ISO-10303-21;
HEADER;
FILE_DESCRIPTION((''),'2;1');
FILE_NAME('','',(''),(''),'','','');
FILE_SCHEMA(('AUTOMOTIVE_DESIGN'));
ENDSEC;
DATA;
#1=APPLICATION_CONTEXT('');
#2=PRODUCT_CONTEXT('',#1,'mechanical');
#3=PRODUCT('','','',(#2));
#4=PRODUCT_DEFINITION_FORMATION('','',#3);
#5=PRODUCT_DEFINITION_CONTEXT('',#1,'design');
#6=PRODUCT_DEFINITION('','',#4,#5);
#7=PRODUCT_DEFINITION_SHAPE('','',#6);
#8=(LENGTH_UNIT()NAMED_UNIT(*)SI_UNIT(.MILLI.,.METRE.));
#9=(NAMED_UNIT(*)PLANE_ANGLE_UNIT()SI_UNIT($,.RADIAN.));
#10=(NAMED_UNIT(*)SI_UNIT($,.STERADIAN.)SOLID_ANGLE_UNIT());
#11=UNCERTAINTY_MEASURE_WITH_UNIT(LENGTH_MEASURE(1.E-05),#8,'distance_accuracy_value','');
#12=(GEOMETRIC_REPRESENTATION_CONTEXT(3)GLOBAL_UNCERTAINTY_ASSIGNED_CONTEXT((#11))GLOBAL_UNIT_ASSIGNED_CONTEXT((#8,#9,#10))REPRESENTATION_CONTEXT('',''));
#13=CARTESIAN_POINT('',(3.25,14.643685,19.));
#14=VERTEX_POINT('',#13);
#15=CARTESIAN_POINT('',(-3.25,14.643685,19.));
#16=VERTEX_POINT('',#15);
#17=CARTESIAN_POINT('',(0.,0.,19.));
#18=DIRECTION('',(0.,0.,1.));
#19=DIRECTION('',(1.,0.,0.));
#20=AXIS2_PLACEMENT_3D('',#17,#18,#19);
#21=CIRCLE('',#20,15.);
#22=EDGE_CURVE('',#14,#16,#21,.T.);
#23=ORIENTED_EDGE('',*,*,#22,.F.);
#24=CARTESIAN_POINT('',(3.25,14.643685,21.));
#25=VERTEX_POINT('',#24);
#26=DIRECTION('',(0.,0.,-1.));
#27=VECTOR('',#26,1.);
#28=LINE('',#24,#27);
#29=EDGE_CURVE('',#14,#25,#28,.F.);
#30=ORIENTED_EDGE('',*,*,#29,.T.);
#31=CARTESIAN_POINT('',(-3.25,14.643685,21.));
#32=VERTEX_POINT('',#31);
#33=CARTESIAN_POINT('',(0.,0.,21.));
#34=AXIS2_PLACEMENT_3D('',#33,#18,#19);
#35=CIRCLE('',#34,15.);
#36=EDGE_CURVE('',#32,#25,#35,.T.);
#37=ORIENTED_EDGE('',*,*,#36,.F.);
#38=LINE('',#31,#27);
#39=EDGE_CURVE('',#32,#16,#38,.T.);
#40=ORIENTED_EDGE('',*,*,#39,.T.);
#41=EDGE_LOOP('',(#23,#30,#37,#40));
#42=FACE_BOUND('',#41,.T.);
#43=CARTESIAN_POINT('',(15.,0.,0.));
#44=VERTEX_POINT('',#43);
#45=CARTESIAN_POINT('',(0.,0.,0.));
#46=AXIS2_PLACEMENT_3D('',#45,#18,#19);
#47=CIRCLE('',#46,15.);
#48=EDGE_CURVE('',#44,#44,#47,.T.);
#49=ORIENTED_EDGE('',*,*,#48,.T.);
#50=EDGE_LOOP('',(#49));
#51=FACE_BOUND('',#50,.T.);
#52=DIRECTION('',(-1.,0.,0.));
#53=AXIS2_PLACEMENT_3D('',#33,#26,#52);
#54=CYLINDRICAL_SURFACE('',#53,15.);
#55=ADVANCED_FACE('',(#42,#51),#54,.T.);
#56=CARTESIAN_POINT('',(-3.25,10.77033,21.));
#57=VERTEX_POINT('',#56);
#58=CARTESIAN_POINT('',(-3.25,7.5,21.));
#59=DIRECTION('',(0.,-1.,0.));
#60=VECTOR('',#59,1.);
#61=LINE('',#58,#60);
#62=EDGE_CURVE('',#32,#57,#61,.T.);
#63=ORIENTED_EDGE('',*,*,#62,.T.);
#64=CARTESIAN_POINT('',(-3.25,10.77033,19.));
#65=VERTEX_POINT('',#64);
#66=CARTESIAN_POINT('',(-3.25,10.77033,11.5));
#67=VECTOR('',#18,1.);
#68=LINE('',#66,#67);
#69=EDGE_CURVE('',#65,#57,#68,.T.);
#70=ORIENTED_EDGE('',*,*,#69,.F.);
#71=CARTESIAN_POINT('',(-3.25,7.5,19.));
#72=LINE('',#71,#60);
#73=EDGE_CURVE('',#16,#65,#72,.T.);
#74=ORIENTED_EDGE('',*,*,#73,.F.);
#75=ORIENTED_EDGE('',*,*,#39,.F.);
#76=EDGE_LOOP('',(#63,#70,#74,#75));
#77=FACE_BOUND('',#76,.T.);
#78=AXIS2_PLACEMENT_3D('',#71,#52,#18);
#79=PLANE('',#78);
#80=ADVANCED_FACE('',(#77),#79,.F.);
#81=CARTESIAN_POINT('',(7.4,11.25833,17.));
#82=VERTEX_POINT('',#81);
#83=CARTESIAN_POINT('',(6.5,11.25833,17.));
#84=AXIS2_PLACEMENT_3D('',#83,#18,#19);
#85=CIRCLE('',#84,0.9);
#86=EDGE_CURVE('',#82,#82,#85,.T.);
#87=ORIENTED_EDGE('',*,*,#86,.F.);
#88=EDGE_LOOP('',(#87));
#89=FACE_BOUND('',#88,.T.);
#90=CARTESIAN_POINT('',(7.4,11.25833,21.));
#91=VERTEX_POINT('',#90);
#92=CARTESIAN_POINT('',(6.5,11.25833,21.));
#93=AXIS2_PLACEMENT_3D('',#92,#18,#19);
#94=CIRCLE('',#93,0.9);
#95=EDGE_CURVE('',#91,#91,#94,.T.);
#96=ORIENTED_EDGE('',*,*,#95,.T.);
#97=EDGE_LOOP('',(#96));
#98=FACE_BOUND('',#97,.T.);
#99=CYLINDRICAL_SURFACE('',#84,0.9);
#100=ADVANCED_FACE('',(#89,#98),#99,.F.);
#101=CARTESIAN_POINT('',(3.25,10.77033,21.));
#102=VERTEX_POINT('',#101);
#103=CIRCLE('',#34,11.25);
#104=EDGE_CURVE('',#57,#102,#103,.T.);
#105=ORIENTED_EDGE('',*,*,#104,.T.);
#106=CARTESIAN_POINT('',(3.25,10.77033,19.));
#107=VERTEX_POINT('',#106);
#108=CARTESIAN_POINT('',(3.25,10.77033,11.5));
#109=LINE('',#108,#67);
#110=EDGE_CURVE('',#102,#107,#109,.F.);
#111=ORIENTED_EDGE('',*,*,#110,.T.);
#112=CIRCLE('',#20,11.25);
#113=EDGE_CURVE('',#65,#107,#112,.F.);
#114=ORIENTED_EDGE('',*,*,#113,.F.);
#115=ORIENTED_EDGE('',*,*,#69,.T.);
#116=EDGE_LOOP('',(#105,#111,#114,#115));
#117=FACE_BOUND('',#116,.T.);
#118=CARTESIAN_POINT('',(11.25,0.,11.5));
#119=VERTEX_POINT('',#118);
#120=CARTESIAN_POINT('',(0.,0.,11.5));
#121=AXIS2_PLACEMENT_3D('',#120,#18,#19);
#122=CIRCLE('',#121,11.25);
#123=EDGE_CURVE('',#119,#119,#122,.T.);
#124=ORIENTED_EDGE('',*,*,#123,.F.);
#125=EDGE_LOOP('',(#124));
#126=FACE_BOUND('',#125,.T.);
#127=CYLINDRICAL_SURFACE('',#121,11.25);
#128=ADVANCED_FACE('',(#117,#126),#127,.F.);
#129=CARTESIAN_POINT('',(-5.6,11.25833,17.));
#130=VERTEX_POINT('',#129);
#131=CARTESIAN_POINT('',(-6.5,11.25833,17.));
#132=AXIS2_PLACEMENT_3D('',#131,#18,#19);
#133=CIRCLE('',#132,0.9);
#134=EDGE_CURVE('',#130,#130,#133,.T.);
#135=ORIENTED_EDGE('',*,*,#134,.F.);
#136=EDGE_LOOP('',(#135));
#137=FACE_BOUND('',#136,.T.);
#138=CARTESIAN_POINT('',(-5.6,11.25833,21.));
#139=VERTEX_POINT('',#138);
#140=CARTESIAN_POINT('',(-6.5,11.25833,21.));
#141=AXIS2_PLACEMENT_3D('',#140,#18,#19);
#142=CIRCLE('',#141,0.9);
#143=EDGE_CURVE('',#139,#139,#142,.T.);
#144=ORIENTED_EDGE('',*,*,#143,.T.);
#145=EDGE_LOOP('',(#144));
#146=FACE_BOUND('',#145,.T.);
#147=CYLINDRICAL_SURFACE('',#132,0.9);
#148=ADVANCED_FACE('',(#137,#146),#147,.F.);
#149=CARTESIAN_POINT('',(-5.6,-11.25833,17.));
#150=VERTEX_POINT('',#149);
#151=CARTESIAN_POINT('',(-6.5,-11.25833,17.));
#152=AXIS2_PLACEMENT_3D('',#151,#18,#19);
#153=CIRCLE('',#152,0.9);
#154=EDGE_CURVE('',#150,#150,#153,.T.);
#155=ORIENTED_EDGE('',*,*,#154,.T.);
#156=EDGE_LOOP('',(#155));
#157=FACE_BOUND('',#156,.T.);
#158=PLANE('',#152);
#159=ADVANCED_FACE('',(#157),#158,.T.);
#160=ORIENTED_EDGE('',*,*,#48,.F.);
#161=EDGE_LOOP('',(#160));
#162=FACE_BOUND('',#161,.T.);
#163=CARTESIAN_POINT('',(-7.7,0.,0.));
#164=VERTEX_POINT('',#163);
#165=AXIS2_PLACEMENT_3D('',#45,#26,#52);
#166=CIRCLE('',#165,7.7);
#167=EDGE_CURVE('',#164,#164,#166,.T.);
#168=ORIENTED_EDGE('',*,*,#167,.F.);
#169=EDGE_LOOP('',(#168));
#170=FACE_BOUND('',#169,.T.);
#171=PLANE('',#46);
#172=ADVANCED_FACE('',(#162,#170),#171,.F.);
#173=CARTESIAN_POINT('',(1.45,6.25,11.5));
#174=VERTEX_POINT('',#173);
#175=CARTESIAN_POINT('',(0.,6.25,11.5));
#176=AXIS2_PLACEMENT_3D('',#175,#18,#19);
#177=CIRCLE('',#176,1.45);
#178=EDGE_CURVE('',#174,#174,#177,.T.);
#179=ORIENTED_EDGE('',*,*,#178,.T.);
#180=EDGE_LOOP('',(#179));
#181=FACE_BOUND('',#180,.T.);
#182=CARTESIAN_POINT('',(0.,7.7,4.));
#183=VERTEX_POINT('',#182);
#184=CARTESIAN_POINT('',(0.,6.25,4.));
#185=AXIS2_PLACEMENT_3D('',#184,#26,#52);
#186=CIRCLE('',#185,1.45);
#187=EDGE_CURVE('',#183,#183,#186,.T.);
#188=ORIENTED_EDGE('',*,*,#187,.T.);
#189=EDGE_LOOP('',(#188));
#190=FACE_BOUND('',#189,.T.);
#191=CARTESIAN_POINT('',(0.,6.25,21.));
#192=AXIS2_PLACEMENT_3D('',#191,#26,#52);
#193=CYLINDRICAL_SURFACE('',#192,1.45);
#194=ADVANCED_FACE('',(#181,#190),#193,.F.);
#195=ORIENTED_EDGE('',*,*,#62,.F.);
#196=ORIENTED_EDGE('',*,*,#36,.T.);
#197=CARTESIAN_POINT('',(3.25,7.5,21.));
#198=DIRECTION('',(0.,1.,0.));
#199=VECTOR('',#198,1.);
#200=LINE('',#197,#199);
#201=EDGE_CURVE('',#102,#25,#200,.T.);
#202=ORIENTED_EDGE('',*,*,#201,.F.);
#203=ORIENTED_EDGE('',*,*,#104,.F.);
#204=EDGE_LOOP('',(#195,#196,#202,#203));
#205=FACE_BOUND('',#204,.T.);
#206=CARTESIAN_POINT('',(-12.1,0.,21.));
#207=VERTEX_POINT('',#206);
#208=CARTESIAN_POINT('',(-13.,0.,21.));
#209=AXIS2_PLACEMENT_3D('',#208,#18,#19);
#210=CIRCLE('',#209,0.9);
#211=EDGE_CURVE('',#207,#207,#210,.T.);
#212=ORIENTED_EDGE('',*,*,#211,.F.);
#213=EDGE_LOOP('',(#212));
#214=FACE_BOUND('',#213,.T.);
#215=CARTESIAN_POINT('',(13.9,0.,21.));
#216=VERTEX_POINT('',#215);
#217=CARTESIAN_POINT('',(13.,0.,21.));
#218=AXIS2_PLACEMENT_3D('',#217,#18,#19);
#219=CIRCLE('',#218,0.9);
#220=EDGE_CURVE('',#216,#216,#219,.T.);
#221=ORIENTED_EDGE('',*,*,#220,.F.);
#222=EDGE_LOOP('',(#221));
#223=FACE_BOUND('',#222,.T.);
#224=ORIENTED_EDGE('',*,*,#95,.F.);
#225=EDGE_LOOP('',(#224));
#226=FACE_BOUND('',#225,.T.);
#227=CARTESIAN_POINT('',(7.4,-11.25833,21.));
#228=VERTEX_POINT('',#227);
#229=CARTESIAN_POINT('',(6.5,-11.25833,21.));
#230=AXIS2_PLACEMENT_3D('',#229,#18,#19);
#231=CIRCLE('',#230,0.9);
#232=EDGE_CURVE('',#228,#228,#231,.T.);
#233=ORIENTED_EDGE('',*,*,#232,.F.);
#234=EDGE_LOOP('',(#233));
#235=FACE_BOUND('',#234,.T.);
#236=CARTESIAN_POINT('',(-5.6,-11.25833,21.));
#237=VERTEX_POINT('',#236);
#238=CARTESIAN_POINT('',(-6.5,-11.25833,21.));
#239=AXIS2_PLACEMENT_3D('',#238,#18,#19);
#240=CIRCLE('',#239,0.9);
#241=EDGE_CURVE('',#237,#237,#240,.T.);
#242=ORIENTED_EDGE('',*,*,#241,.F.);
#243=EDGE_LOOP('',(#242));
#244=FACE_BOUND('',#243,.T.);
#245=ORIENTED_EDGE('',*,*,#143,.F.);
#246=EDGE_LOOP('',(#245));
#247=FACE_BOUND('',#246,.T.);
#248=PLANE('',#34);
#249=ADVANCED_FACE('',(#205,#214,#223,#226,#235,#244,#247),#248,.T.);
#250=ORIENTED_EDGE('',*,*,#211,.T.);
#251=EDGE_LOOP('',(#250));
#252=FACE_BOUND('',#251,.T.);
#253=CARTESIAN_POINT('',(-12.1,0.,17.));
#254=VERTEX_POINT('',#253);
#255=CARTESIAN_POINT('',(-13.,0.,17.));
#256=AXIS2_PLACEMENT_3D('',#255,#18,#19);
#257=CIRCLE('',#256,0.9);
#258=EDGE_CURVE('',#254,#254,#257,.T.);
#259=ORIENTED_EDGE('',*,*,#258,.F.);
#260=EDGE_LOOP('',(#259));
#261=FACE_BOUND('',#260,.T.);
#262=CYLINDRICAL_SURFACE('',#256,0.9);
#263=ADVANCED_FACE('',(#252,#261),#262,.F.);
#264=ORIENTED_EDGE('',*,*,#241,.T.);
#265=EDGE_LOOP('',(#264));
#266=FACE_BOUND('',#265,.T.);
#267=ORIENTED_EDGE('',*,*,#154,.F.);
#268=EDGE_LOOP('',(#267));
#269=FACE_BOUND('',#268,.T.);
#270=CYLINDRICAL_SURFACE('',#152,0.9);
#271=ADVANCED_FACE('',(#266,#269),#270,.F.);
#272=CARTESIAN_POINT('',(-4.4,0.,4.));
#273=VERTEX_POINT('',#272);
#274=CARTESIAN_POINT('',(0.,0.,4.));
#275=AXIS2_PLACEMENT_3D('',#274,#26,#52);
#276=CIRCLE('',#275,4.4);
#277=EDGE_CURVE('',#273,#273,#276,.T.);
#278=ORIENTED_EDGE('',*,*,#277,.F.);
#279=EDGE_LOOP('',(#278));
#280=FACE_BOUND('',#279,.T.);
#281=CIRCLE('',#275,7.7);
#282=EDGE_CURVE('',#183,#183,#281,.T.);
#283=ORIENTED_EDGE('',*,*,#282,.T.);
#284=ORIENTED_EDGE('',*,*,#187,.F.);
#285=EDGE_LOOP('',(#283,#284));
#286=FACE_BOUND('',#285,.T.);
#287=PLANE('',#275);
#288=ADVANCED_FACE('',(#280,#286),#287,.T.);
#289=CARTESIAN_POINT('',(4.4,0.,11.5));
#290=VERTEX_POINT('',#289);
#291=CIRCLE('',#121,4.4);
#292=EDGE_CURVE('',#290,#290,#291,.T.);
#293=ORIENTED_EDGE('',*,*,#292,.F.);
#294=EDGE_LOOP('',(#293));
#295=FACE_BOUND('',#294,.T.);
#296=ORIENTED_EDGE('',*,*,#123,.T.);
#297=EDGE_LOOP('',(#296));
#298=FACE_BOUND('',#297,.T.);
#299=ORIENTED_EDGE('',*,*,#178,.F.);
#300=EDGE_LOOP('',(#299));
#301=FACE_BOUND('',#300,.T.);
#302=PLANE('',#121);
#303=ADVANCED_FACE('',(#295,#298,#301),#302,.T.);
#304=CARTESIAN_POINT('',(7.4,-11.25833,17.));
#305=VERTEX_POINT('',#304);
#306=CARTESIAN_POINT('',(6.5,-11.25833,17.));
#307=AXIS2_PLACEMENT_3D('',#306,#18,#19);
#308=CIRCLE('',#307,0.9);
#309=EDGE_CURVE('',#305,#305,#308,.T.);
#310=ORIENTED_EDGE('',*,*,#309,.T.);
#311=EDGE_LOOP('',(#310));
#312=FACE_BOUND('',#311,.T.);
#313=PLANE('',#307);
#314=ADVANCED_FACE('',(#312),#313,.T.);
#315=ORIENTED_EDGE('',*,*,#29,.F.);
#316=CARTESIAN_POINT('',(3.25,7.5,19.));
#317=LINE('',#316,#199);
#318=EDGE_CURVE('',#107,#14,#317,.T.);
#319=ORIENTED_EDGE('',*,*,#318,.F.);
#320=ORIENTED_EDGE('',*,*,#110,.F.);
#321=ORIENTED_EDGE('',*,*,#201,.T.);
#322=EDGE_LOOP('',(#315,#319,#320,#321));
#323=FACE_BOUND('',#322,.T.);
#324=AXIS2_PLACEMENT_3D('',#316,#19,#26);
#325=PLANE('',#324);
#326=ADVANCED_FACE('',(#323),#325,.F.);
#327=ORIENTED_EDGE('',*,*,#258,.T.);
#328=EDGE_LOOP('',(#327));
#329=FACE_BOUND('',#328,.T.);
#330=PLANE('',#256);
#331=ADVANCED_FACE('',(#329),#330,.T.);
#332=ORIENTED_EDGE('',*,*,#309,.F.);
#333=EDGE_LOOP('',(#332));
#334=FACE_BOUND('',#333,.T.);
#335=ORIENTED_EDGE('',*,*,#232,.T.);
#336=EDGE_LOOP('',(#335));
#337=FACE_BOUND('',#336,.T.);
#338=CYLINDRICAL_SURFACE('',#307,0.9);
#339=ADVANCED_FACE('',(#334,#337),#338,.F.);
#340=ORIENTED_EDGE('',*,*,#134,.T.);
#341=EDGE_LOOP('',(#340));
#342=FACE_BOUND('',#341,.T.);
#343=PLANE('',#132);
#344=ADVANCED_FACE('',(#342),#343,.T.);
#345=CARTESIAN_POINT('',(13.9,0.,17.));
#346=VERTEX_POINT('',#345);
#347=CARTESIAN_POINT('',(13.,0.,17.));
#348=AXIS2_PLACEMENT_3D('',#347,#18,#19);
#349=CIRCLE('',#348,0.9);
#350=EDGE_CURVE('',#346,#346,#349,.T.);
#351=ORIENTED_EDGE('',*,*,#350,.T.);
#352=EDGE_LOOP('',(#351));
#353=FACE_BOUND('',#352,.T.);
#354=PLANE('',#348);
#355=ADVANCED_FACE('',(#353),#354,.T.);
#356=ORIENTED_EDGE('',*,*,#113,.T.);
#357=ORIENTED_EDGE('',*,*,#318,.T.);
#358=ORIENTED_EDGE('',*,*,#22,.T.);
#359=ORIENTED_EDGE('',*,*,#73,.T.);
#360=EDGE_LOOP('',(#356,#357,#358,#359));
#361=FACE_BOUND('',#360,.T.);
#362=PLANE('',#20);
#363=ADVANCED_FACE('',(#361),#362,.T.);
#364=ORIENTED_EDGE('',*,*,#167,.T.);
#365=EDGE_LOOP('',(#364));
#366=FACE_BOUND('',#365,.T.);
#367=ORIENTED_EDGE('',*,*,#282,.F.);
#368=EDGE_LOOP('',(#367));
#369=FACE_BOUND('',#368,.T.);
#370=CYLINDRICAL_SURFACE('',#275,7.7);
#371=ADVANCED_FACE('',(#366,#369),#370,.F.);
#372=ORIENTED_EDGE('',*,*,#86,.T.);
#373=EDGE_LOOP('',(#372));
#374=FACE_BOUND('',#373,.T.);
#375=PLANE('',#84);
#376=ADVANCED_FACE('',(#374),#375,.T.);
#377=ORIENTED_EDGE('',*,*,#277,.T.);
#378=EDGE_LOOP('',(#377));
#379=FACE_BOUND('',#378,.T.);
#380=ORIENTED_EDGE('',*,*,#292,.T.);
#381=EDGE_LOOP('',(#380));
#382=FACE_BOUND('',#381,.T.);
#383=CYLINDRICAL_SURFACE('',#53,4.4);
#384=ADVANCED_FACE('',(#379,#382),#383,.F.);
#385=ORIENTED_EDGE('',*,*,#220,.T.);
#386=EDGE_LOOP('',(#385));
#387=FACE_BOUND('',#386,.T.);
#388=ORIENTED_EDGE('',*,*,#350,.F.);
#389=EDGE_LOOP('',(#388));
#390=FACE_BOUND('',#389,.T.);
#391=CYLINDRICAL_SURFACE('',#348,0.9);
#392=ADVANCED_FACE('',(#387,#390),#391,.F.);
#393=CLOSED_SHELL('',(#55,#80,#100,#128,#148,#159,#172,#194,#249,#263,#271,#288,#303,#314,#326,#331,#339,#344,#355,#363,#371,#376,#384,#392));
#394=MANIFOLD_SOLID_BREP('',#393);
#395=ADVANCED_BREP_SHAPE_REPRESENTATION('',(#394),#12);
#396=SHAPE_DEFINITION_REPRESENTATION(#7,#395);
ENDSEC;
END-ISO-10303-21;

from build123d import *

# Parameters (mm, degrees)
SKETCH_1_R          = 15
SKETCH_1_R_2        = 4.4
SKETCH_1_R_3        = 1.45
EXTRUDE_1_DEPTH     = 21
SKETCH_2_R          = 7.7
CUT_EXTRUDE_1_DEPTH = 4
SKETCH_3_R          = 11.25
CUT_EXTRUDE_2_DEPTH = 9.5
SKETCH_4_R          = 0.9
CUT_EXTRUDE_3_DEPTH = 4
SKETCH_5_W          = 6.5
SKETCH_5_H          = 9
CUT_EXTRUDE_4_DEPTH = 2


with BuildPart() as part:
    # 스케치1 → 보스-돌출1 (new body)
    with BuildSketch(Plane.XY):
        Circle(SKETCH_1_R)
        Circle(SKETCH_1_R_2, mode=Mode.SUBTRACT)
        with Locations((0, 6.25)):
            Circle(SKETCH_1_R_3, mode=Mode.SUBTRACT)
    extrude(amount=EXTRUDE_1_DEPTH)

    # 스케치2 → 컷-돌출1 (cut)
    with BuildSketch(Plane(origin=(0, 0, 0), x_dir=(-1, 0, 0), z_dir=(0, 0, -1))):
        Circle(SKETCH_2_R)
    extrude(amount=-CUT_EXTRUDE_1_DEPTH, mode=Mode.SUBTRACT)

    # 스케치3 → 컷-돌출2 (cut)
    with BuildSketch(Plane.XY.offset(21)):
        Circle(SKETCH_3_R)
    extrude(amount=-CUT_EXTRUDE_2_DEPTH, mode=Mode.SUBTRACT)

    # 스케치4 → 컷-돌출3 (cut)
    with BuildSketch(Plane.XY.offset(21)):
        with Locations((13, 0)):
            Circle(SKETCH_4_R)
        with Locations((6.5, -11.258330249)):
            Circle(SKETCH_4_R)
        with Locations((-6.5, -11.258330249)):
            Circle(SKETCH_4_R)
        with Locations((-13, 0)):
            Circle(SKETCH_4_R)
        with Locations((-6.5, 11.258330249)):
            Circle(SKETCH_4_R)
        with Locations((6.5, 11.258330249)):
            Circle(SKETCH_4_R)
    extrude(amount=-CUT_EXTRUDE_3_DEPTH, mode=Mode.SUBTRACT)

    # 스케치5 → 컷-돌출4 (cut)
    with BuildSketch(Plane.XY.offset(21)):
        with Locations((0, 12)):
            Rectangle(SKETCH_5_W, SKETCH_5_H)
    extrude(amount=-CUT_EXTRUDE_4_DEPTH, mode=Mode.SUBTRACT)


solid = part.part
